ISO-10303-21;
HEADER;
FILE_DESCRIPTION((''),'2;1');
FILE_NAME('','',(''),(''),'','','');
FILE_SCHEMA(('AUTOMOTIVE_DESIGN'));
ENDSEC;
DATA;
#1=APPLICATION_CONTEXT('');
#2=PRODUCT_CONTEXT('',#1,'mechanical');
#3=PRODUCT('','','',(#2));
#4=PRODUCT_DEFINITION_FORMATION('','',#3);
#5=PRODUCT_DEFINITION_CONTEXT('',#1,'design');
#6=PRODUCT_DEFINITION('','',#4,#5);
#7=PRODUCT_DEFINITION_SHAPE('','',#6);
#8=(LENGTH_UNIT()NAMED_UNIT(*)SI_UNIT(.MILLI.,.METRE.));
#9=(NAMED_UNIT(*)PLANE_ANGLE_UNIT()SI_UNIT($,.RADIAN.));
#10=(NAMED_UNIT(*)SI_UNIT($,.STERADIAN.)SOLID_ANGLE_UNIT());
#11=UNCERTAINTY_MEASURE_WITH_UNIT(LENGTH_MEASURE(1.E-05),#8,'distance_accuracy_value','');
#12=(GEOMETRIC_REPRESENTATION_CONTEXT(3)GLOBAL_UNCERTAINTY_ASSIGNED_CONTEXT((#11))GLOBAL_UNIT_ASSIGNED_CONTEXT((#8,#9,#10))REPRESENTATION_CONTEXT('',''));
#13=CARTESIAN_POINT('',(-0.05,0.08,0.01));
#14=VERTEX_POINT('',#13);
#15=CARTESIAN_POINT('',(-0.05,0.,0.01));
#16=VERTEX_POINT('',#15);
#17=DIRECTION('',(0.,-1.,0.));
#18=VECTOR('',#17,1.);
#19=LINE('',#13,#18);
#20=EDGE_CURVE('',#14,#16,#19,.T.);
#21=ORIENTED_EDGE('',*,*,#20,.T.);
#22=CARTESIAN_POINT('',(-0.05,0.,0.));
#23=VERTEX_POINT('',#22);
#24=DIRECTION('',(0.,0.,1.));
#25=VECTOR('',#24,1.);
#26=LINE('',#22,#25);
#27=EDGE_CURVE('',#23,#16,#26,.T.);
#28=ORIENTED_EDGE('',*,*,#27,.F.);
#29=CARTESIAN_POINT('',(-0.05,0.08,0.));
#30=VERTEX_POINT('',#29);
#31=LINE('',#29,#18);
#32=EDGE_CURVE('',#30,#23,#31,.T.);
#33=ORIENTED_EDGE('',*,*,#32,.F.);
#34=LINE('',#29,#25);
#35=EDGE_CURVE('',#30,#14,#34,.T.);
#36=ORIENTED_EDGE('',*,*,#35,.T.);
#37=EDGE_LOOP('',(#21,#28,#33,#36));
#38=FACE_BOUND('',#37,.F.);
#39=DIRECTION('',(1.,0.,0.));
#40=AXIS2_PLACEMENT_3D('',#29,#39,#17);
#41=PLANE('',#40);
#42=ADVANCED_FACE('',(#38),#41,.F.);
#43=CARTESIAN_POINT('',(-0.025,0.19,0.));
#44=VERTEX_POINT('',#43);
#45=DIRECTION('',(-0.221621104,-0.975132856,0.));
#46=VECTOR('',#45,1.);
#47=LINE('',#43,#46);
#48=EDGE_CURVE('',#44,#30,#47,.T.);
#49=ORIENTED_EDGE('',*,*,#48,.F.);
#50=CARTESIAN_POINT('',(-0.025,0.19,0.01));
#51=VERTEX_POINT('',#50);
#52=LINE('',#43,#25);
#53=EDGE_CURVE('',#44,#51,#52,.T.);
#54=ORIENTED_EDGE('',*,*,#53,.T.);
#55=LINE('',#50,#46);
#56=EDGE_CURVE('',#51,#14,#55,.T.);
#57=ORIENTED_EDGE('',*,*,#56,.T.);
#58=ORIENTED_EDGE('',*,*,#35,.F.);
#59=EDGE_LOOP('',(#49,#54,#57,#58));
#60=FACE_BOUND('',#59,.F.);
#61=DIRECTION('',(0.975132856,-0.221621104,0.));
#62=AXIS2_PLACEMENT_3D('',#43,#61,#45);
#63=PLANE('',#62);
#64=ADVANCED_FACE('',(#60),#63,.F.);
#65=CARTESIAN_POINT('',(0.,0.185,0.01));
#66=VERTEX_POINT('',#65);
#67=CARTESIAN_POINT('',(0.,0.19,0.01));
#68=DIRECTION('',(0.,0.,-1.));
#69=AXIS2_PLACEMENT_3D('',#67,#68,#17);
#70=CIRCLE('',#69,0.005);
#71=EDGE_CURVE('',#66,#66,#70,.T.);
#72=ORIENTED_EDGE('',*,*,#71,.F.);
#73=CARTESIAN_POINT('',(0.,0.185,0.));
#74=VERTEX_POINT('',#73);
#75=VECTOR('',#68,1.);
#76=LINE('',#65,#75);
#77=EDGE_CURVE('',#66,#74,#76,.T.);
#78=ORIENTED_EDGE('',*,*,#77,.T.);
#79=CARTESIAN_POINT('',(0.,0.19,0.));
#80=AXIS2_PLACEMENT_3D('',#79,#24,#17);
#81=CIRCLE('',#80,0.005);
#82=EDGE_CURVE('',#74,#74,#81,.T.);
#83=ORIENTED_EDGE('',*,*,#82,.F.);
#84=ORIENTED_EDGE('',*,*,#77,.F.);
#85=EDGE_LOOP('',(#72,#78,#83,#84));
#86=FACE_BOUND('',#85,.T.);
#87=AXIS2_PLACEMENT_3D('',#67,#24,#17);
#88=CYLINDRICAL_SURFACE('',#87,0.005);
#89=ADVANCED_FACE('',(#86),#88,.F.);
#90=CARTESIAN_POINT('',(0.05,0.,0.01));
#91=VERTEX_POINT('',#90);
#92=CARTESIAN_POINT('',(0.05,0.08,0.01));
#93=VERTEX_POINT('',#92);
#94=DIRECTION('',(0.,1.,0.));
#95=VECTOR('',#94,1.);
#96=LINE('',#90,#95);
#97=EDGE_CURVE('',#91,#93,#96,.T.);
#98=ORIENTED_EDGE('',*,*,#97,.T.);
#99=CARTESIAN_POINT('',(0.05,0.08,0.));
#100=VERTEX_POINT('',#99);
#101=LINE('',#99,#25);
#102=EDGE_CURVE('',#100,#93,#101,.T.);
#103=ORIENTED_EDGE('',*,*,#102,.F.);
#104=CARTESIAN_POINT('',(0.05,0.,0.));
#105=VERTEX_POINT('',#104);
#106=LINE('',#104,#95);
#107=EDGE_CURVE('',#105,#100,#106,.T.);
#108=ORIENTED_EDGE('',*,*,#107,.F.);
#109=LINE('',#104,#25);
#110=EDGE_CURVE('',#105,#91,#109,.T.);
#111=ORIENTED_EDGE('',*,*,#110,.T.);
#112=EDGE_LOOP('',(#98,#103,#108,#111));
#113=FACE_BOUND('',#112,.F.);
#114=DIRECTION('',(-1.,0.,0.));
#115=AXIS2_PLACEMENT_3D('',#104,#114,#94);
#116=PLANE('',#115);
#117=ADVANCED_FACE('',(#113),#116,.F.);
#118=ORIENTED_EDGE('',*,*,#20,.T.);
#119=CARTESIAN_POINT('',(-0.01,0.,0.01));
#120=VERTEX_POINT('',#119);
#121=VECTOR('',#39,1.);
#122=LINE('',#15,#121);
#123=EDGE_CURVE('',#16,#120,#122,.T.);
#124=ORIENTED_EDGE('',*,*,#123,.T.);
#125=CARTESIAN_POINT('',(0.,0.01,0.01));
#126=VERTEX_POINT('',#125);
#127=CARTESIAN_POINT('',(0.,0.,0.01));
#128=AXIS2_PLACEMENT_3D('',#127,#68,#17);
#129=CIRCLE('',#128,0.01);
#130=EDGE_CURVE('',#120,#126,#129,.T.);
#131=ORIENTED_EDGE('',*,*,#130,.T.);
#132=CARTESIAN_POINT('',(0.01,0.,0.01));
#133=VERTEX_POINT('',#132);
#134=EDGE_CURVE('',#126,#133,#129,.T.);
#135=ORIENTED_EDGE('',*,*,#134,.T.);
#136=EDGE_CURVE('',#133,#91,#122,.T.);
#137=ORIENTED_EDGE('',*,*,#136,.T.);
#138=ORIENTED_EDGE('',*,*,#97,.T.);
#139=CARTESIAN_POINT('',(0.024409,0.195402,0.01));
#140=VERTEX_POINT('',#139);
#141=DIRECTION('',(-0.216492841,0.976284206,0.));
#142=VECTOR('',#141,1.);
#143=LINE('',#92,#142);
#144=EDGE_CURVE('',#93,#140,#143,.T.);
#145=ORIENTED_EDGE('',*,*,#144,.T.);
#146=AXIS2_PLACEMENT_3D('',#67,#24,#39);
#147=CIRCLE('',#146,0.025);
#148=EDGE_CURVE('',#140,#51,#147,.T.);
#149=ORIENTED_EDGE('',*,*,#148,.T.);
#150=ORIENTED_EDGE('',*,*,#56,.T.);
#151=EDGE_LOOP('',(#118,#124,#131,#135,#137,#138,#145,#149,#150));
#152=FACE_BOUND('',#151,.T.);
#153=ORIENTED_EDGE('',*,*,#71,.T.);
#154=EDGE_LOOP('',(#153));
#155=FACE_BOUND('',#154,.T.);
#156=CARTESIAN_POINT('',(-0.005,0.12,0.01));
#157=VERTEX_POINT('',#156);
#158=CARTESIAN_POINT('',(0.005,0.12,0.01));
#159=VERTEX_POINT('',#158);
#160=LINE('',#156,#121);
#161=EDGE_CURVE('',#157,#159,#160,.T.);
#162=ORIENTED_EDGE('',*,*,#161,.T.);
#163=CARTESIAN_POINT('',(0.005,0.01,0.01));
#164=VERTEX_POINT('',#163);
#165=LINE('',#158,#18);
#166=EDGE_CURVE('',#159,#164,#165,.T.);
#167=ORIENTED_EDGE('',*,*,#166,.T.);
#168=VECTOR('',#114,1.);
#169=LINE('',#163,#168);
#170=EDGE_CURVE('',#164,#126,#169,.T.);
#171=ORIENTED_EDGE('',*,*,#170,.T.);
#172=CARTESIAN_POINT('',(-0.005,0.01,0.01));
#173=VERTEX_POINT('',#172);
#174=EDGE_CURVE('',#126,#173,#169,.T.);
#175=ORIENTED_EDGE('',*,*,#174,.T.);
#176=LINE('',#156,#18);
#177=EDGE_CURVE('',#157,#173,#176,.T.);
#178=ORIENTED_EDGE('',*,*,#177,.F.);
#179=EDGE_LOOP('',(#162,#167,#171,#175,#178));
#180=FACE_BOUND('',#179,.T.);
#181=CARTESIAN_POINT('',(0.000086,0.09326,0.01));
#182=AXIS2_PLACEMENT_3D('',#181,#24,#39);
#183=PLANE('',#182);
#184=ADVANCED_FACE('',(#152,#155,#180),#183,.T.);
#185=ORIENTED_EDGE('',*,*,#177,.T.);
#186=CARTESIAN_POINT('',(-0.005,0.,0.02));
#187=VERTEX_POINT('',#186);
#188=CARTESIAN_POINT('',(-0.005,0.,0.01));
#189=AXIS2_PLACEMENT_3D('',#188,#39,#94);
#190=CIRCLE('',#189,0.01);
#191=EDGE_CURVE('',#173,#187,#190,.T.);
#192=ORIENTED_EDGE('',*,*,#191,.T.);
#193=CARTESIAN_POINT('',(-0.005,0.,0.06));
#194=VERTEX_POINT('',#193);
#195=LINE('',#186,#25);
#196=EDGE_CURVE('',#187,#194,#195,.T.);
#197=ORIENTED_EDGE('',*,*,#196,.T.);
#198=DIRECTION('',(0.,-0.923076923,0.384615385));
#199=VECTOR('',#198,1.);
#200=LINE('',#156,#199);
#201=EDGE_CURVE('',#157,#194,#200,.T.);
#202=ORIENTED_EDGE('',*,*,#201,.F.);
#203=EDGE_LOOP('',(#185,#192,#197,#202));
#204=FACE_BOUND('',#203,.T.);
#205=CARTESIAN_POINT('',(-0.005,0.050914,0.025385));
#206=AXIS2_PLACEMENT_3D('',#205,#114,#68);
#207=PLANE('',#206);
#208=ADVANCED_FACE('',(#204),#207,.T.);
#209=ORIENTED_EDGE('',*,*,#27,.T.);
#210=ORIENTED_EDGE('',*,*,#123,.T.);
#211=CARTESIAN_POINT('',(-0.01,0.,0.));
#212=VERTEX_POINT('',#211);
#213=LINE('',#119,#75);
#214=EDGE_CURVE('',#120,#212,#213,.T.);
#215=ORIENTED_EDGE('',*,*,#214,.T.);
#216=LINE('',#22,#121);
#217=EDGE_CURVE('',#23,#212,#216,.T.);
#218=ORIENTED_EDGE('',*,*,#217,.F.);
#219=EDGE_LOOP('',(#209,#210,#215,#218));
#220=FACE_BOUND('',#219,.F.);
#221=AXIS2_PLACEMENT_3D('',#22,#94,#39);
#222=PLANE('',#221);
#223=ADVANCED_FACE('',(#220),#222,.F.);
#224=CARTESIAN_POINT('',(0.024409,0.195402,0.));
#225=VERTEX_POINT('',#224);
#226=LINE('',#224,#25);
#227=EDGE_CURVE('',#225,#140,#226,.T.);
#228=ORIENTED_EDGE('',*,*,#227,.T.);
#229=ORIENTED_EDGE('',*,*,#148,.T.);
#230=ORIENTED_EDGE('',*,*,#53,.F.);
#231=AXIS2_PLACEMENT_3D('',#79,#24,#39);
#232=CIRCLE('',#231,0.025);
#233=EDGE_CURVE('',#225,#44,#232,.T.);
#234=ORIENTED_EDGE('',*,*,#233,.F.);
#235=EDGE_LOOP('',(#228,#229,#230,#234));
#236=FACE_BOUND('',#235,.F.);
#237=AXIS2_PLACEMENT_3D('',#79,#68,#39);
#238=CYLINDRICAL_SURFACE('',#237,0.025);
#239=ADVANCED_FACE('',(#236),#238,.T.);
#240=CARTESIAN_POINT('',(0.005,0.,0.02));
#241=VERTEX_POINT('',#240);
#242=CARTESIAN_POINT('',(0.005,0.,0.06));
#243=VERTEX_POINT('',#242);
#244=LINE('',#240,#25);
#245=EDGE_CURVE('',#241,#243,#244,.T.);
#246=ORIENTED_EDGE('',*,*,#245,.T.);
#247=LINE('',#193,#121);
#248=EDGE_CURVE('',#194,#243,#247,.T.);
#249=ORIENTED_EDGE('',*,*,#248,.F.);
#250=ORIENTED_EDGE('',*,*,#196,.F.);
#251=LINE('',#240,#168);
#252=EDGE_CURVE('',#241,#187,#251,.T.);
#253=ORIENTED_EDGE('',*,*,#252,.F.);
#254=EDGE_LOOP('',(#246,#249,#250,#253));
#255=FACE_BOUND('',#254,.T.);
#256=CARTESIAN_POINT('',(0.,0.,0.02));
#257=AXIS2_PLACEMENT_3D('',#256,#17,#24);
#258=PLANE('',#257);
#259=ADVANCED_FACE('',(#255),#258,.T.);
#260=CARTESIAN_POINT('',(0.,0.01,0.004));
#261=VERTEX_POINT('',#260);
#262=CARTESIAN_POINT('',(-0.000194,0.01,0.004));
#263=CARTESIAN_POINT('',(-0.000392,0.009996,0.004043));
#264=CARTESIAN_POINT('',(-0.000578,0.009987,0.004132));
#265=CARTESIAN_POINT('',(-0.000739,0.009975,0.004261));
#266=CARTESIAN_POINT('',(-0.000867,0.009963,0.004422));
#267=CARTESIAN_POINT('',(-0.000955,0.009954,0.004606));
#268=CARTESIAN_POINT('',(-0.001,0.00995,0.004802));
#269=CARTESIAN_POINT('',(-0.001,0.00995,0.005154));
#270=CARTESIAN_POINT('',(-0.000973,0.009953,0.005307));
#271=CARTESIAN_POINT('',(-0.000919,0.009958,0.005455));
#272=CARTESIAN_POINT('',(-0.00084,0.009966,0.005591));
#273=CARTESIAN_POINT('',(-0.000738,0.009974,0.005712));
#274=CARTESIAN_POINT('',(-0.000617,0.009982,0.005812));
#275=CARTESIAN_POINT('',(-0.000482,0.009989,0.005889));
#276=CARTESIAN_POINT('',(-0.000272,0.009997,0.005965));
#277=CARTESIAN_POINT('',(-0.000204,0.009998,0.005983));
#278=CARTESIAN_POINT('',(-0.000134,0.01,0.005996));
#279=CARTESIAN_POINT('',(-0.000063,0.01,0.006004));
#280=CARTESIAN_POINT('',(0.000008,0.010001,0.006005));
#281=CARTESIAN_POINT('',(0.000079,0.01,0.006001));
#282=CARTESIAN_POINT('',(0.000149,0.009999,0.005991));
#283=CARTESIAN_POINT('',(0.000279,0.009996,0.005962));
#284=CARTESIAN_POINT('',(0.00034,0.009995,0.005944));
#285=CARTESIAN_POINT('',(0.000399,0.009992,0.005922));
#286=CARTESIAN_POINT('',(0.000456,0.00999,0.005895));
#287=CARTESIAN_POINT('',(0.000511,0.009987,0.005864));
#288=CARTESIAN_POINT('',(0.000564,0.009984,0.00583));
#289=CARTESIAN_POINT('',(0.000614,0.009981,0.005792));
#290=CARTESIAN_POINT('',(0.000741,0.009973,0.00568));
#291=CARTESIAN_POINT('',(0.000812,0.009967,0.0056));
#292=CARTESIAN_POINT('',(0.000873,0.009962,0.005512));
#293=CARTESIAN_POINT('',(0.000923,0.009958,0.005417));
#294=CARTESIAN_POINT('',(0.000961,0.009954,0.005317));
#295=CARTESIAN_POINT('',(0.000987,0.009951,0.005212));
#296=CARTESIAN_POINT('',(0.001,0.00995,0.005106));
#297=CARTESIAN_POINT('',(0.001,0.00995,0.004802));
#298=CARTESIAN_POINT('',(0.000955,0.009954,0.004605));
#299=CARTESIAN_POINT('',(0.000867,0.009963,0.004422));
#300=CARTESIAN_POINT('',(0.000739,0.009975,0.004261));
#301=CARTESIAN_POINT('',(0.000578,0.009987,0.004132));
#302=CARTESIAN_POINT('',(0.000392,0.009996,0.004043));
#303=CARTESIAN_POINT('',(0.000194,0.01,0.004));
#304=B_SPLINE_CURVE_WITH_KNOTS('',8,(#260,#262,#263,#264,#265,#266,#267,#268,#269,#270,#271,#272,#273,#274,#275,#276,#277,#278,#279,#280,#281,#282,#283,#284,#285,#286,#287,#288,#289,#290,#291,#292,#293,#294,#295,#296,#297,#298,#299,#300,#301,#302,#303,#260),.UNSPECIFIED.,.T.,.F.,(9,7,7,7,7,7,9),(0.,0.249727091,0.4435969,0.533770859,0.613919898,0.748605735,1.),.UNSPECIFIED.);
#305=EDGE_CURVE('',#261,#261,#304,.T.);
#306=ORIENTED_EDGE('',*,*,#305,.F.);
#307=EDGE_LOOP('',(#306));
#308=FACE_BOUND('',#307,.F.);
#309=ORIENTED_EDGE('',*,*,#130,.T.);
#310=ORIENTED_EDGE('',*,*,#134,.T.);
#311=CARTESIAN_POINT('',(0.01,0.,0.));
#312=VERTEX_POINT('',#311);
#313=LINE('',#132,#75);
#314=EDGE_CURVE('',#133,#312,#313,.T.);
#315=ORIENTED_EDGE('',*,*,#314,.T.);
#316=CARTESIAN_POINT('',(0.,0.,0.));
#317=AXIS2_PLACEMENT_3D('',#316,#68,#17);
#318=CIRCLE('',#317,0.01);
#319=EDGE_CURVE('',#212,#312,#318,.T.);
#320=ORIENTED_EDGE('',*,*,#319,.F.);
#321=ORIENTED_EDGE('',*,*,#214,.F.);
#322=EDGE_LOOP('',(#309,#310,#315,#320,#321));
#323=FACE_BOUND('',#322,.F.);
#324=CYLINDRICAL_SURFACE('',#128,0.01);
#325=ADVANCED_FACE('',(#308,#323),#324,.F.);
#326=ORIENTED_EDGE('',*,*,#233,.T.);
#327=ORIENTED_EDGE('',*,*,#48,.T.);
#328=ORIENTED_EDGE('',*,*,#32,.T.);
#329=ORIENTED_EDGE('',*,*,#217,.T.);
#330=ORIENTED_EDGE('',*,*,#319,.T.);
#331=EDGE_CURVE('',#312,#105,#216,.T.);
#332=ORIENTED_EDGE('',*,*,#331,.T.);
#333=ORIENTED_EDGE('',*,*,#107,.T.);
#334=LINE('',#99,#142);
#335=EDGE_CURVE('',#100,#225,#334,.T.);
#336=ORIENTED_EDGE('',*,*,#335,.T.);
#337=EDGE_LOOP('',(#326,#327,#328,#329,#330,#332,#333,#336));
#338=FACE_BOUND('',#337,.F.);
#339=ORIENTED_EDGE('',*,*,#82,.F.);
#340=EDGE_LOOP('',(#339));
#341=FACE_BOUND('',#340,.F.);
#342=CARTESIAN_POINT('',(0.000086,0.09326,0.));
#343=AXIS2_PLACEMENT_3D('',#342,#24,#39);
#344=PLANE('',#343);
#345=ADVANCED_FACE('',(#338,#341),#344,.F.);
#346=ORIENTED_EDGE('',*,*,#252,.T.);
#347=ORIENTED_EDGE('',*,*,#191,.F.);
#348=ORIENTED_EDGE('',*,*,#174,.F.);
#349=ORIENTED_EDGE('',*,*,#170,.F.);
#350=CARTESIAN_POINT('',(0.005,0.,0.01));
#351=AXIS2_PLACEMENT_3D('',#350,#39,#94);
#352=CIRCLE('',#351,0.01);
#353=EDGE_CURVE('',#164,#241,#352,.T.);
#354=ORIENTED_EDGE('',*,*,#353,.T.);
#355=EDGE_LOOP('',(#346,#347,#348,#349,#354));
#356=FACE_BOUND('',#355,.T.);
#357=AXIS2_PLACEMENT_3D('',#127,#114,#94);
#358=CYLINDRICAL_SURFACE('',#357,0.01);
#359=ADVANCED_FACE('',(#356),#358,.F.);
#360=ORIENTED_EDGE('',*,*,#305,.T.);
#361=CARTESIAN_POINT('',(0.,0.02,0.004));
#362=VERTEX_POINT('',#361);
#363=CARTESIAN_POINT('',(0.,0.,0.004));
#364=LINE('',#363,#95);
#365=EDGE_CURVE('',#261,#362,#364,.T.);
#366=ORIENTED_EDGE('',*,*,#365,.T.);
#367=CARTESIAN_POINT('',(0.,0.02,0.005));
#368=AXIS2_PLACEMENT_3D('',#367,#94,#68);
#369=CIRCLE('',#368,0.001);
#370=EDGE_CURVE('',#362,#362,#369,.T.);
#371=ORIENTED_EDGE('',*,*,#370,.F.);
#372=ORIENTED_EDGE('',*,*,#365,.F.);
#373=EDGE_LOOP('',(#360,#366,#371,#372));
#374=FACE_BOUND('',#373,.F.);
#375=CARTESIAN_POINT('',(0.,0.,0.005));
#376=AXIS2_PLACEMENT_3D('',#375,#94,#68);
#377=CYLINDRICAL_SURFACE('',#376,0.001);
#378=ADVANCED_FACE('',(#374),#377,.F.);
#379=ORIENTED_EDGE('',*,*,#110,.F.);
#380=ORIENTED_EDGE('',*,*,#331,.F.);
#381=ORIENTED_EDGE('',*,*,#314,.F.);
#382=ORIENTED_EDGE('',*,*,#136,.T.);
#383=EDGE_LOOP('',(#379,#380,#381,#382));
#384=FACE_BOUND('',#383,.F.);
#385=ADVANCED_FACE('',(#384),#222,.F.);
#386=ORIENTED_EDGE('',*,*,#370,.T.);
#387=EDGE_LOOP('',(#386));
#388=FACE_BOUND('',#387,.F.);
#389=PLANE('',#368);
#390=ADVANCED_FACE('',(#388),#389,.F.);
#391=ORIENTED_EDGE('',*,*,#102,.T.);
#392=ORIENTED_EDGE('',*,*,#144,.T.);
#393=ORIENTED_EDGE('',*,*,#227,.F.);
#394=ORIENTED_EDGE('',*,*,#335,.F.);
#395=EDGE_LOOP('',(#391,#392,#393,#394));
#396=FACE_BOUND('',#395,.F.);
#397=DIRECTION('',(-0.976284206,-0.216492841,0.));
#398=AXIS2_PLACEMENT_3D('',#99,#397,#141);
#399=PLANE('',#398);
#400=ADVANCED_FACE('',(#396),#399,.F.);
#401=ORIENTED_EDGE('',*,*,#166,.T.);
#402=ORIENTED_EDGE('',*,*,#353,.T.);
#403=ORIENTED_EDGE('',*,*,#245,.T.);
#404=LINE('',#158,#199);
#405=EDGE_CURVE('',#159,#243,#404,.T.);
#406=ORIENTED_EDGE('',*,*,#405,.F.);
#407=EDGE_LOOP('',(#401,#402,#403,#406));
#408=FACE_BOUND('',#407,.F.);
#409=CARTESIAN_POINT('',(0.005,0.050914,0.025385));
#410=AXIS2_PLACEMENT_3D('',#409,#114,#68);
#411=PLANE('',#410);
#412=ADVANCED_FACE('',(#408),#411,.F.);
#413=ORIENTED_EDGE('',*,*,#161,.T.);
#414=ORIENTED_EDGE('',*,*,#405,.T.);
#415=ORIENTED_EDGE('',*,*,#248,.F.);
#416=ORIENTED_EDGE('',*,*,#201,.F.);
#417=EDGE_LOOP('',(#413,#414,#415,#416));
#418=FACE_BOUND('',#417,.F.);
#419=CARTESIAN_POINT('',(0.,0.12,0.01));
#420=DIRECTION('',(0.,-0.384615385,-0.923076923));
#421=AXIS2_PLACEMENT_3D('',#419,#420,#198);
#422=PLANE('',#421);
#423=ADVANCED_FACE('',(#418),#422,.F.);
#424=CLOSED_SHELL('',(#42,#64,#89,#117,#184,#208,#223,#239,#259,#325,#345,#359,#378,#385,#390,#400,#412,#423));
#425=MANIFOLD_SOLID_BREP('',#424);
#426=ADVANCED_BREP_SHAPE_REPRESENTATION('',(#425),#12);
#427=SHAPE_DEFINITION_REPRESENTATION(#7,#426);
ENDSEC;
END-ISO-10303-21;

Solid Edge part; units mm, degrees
sketch "Sketch1" plane through (0, 0, 0) normal (0, 0, 1) x (1, 0, 0)
  line L0 (-0.05, 0) -> (0.05, 0)
  line L1 (0.05, 0) -> (0.05, 0.08)
  line L2 (0.05, 0.08) -> (0.0244, 0.1954)
  line L3 (-0.025, 0.19) -> (-0.05, 0.08)
  line L4 (-0.05, 0.08) -> (-0.05, 0)
  arc A0 (0.0244, 0.1954) -> (-0.025, 0.19) centre (0, 0.19) ccw
  dimension "D1" = 0.05
  dimension "D2" = 0.05
extrude "Protrusion1" add sketch "Sketch1" along normal blind 0.01
hole "Bohrung_1" at (0, 0, 0.005) direction (0, 1, 0) diameter 0.002 depth 0.02
hole "Bohrung_2" at (0, 0.19, 0.01) direction (0, 0, -1) diameter 0.01 end through all
hole "Bohrung_3" at (0, 0, 0.01) direction (0, 0, -1) diameter 0.02 depth 3.175
sketch "Sketch2" plane through (0, 0, 0) normal (1, 0, 0) x (0, 1, 0)
  line L0 (0.12, 0.01) -> (0.01, 0.01)
  line L1 (0, 0.02) -> (0, 0.06)
  line L2 (0.12, 0.01) -> (0, 0.06)
  arc A0 (0.01, 0.01) -> (0, 0.02) centre (0, 0.01) ccw
extrude "Ausprägung_2" add sketch "Sketch2" along normal mid plane 0.01
